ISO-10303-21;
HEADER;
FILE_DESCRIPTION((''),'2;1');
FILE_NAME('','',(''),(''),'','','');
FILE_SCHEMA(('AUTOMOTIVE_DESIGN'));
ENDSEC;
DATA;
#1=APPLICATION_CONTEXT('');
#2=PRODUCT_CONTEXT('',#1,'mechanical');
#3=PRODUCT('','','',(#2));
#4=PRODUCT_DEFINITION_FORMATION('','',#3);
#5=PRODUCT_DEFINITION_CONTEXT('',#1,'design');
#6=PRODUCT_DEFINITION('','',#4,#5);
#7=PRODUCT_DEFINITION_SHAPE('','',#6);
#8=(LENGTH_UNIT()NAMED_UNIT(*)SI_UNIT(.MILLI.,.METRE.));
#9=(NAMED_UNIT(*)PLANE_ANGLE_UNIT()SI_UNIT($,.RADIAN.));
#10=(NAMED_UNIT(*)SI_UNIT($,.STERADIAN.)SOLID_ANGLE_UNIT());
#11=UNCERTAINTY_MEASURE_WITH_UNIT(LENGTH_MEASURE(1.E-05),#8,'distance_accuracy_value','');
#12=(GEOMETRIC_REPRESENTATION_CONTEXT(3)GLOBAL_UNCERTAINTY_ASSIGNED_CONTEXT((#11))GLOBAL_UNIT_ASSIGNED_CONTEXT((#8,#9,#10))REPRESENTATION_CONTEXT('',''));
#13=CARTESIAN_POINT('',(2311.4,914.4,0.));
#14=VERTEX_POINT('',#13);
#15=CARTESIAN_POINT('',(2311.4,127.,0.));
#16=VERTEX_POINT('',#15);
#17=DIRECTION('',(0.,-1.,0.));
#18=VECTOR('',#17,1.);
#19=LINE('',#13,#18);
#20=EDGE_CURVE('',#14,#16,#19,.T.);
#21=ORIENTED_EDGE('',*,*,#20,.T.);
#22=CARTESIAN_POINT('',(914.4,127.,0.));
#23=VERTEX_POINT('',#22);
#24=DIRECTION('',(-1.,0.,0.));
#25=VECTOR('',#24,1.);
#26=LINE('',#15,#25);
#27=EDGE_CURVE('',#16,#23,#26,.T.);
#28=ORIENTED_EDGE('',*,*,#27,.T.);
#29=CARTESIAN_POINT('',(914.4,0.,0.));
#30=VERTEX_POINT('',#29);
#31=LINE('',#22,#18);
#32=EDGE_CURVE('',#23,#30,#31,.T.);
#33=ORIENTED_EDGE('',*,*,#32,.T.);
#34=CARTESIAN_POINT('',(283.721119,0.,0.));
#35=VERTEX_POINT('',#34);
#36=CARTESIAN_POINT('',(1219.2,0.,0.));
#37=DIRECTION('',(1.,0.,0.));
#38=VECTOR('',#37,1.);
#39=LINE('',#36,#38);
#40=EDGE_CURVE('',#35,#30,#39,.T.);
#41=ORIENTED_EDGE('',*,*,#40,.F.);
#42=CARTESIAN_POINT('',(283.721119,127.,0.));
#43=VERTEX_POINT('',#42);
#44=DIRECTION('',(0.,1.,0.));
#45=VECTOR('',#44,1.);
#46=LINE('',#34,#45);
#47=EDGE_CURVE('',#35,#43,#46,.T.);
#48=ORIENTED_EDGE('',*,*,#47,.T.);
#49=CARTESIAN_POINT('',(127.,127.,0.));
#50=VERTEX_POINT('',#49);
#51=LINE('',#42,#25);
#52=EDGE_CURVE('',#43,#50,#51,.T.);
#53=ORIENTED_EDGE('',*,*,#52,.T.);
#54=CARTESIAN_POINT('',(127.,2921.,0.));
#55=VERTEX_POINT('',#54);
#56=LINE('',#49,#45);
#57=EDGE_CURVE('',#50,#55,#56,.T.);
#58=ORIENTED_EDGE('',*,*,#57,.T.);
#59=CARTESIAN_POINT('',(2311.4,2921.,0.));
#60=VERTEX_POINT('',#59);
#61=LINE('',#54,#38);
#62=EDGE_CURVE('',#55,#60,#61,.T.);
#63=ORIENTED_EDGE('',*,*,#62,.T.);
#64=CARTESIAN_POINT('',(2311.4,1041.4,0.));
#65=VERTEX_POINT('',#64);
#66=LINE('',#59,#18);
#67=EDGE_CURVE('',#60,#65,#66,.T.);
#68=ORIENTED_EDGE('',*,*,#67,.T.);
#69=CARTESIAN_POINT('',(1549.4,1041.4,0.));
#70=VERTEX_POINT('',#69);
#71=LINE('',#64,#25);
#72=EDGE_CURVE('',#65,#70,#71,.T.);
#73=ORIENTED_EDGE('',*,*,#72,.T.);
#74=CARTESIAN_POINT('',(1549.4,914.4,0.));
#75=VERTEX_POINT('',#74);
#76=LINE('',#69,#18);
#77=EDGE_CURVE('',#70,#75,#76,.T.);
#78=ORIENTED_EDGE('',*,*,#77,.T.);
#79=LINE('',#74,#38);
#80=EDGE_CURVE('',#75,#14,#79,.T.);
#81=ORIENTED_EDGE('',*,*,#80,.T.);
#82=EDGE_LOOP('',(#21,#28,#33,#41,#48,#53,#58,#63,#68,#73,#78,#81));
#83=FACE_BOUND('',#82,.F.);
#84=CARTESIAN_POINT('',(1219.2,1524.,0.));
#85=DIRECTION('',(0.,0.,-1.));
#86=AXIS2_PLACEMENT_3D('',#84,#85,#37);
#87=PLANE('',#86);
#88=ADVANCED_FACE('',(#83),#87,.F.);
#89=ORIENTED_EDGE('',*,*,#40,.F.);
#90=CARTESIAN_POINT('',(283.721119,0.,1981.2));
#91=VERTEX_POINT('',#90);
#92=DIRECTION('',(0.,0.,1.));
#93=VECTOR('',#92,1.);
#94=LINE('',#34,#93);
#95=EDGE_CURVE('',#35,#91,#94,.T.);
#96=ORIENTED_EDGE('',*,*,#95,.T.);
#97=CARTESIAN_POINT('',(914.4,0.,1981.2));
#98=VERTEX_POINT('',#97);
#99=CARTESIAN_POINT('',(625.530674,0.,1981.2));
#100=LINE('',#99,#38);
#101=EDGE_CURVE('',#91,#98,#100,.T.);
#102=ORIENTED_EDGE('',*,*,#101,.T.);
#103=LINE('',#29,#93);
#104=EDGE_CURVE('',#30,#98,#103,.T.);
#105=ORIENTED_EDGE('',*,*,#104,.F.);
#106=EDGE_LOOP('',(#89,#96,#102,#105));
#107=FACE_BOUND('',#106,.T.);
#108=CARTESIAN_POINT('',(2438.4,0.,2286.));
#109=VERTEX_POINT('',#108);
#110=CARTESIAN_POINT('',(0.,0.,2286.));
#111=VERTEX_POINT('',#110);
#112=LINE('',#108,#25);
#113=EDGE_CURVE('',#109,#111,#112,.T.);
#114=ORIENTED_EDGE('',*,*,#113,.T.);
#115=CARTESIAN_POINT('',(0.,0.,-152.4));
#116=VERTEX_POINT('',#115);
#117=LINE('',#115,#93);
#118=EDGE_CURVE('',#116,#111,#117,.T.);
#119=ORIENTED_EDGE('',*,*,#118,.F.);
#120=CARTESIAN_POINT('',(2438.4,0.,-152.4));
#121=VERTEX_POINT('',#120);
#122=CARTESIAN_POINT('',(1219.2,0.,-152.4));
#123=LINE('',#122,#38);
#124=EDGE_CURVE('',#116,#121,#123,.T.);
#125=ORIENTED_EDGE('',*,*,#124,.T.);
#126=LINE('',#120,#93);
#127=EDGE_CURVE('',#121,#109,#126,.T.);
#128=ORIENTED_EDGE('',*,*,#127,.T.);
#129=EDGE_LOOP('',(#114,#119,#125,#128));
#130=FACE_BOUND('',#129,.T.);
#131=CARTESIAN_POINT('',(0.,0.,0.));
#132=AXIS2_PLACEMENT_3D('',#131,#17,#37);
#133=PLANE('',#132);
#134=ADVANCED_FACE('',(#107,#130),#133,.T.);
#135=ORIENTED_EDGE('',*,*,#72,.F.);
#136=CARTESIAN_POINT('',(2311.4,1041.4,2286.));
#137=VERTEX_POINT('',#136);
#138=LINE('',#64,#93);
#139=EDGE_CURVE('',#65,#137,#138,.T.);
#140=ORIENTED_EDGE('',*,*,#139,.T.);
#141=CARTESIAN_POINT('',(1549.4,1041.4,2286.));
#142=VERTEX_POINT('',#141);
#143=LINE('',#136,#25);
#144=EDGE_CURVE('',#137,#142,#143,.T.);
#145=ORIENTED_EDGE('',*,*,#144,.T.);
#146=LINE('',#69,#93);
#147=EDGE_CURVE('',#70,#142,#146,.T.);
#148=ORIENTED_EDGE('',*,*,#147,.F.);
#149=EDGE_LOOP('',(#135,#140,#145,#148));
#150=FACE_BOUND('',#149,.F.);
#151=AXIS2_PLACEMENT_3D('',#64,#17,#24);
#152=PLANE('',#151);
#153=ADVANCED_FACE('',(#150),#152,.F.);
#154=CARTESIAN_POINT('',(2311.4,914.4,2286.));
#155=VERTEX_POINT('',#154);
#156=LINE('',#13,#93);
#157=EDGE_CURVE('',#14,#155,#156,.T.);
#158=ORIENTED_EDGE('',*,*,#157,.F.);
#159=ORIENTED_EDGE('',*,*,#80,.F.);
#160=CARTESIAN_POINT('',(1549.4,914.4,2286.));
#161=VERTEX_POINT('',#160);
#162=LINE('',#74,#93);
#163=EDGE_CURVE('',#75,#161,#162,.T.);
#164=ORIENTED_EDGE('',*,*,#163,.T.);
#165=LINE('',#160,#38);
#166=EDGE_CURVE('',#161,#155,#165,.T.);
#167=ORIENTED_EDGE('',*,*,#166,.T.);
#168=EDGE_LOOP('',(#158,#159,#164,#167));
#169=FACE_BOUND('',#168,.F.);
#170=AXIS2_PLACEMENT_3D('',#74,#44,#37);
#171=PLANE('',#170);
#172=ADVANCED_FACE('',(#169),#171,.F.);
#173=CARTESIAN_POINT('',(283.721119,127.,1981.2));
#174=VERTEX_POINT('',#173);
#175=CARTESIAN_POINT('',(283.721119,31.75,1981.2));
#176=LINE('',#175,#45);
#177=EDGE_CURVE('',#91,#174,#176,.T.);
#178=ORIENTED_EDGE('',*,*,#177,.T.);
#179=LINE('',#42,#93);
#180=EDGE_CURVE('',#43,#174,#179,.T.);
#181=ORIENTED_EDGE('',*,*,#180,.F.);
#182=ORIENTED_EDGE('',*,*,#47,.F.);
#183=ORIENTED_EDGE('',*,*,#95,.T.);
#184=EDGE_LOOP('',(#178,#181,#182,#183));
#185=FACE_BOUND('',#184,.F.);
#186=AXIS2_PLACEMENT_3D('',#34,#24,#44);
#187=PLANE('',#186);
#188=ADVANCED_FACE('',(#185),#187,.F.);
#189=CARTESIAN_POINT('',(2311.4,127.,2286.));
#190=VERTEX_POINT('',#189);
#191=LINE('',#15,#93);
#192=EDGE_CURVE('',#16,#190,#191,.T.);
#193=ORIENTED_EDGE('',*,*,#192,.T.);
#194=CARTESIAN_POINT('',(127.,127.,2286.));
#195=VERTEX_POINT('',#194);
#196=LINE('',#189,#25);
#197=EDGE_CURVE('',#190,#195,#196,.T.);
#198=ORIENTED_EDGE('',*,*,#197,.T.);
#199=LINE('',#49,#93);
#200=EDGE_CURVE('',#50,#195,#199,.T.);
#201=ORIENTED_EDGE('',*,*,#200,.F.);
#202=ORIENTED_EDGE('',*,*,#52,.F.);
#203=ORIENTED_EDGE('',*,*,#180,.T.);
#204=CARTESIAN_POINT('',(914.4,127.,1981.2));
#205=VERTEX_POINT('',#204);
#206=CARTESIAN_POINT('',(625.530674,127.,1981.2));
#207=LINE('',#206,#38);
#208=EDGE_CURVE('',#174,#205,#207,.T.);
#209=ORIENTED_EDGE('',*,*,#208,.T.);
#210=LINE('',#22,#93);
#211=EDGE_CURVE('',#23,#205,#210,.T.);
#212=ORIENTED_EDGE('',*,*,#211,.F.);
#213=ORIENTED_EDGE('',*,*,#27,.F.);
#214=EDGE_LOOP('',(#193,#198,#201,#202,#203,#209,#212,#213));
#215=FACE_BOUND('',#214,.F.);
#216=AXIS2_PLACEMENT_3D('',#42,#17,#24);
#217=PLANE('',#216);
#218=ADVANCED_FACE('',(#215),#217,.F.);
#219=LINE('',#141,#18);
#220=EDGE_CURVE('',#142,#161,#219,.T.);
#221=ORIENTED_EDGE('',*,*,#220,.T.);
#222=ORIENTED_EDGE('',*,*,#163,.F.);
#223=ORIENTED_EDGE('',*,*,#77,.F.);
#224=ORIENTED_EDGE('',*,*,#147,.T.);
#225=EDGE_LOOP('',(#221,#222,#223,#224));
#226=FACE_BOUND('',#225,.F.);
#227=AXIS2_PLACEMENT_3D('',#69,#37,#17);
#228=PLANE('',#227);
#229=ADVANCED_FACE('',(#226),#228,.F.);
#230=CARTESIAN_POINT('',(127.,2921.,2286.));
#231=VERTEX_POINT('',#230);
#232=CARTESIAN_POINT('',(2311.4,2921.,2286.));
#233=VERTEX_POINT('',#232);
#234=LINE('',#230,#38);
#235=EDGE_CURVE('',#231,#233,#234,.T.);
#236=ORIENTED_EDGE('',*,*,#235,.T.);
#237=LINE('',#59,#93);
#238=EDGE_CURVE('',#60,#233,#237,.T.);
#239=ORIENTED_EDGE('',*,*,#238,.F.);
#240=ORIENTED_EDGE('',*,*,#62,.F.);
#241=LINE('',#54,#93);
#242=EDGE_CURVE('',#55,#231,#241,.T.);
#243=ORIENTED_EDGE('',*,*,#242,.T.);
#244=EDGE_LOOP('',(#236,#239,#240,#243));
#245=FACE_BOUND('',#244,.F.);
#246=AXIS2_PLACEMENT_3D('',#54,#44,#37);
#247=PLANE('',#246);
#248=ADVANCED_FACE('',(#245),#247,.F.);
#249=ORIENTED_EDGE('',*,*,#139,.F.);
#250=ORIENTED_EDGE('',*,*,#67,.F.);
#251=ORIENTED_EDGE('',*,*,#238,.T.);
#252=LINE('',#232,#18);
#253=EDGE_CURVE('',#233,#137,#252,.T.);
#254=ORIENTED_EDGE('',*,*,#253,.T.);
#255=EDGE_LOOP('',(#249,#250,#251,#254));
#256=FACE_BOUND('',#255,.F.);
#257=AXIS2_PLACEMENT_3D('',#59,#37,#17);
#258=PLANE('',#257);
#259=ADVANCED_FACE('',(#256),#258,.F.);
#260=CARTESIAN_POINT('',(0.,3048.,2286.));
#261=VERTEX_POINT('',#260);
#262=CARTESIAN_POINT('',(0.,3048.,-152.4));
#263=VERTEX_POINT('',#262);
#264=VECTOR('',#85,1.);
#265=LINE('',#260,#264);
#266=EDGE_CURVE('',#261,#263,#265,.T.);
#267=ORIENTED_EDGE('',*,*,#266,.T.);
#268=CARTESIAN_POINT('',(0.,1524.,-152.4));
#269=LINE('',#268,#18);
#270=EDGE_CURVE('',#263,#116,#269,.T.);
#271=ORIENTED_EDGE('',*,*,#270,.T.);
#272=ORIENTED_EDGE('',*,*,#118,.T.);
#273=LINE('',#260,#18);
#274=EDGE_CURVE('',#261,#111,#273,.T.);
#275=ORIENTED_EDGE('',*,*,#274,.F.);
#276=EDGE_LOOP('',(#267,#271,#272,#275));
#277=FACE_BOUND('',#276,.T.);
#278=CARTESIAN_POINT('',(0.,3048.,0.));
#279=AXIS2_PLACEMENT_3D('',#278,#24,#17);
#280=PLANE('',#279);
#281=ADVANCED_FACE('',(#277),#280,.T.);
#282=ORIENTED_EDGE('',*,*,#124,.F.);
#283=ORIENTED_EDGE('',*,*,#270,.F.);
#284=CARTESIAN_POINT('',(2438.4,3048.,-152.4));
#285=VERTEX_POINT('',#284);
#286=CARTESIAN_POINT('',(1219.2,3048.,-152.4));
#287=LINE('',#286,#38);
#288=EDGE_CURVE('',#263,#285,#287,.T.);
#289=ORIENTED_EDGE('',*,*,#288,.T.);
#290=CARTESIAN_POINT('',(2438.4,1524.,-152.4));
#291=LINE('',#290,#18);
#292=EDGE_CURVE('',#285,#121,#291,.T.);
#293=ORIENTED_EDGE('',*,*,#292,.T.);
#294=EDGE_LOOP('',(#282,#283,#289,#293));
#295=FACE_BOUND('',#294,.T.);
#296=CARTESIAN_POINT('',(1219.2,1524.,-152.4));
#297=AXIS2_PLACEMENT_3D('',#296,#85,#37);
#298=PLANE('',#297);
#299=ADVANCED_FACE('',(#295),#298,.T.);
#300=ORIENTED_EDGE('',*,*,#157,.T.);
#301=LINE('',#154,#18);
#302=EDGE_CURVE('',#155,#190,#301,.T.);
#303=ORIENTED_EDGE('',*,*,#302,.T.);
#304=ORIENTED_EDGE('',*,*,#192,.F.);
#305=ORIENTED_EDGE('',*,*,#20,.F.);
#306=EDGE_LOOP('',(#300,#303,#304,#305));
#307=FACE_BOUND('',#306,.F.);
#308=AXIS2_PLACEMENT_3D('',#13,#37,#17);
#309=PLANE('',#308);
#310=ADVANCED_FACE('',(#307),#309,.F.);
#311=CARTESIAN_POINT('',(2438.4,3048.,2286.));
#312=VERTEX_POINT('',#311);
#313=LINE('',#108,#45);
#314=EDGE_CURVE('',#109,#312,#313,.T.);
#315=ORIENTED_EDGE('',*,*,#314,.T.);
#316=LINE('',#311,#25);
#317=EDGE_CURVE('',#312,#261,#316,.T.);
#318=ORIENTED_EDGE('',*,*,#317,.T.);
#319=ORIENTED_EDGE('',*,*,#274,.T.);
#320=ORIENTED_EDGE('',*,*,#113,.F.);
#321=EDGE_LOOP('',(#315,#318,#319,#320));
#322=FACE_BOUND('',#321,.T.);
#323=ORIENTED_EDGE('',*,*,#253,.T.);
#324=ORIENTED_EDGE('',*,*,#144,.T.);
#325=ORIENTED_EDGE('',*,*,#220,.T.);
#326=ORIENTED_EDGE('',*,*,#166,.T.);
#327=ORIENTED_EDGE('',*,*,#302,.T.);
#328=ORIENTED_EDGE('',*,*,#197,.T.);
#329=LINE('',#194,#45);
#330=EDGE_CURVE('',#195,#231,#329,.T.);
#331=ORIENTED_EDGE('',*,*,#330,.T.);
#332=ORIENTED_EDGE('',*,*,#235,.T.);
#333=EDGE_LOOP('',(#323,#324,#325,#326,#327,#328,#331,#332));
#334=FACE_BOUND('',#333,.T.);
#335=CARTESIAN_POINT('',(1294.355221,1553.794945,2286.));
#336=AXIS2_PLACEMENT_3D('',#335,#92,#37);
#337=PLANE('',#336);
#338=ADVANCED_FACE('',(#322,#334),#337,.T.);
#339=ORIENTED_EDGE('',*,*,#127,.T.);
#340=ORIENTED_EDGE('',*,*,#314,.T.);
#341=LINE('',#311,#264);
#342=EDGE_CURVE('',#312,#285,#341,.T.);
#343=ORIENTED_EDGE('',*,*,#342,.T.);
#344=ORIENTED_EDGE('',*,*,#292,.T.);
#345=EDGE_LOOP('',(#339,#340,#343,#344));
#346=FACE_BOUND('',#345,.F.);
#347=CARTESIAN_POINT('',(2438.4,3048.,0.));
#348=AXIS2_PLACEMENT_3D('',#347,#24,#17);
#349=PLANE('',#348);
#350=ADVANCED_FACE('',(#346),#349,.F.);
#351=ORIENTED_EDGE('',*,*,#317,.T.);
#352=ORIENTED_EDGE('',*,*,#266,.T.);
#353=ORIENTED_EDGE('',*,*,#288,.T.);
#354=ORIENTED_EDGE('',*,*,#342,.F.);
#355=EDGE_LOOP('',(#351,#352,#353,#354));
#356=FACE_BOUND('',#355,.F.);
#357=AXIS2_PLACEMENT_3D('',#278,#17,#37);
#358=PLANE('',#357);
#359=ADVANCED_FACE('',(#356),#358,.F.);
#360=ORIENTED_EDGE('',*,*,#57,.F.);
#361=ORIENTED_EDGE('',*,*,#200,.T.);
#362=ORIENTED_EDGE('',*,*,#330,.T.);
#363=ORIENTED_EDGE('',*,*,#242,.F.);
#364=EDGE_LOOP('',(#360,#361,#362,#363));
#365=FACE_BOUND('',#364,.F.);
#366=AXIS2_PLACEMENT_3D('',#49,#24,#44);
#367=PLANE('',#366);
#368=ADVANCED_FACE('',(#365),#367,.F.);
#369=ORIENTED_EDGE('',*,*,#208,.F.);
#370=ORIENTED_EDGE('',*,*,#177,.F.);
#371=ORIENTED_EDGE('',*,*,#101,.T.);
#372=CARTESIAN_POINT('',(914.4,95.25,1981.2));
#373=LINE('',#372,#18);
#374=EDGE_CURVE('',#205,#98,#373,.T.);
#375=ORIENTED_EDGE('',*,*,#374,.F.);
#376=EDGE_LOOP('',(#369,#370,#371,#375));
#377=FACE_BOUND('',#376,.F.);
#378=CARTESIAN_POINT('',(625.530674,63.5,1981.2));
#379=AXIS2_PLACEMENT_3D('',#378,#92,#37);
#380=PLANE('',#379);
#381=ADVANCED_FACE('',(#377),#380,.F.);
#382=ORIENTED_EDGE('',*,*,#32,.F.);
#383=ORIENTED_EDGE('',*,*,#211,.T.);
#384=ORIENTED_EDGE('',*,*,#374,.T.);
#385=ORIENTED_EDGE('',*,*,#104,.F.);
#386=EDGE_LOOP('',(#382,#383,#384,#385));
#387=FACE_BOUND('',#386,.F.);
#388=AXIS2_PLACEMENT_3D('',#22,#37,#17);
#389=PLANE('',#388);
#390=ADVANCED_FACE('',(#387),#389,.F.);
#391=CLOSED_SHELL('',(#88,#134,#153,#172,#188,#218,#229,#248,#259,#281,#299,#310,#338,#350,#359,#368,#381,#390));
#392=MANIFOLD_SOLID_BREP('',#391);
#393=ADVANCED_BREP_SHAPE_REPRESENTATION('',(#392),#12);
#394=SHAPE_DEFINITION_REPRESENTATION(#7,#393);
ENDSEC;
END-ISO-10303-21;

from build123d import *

# Parameters (mm, degrees)
F1_DEPTH = 2286
F2_W     = 2438.4
F2_H     = 3048
F3_DEPTH = 152.4
F4_W     = 840.340228
F4_H     = 127
F5_DEPTH = 304.8


with BuildPart() as f1:
    # F0 (on Top) → F1 (new body)
    with BuildSketch(Plane.XY):
        Polygon((0, 3048), (0, 0), (283.721119, 0), (283.721119, 127), (127, 127), (127, 2921), (2311.4, 2921), (2311.4, 1041.4), (1549.4, 1041.4), (1549.4, 914.4), (2311.4, 914.4), (2311.4, 127), (914.4, 127), (914.4, 0), (2438.4, 0), (2438.4, 3048), align=None)
    extrude(amount=F1_DEPTH)

    # F2 (on face) → F3 (join)
    with BuildSketch(Plane(origin=(0, 0, 0), x_dir=(1, 0, 0), z_dir=(0, 0, -1))):
        with Locations((1219.2, -1524)):
            Rectangle(F2_W, F2_H)
    extrude(amount=F3_DEPTH)

    # F4 (on face) → F5 (join)
    with BuildSketch(Plane.XY.offset(2286)):
        with Locations((625.530674, 63.5)):
            Rectangle(F4_W, F4_H)
    extrude(amount=-F5_DEPTH)


solid = f1.part
